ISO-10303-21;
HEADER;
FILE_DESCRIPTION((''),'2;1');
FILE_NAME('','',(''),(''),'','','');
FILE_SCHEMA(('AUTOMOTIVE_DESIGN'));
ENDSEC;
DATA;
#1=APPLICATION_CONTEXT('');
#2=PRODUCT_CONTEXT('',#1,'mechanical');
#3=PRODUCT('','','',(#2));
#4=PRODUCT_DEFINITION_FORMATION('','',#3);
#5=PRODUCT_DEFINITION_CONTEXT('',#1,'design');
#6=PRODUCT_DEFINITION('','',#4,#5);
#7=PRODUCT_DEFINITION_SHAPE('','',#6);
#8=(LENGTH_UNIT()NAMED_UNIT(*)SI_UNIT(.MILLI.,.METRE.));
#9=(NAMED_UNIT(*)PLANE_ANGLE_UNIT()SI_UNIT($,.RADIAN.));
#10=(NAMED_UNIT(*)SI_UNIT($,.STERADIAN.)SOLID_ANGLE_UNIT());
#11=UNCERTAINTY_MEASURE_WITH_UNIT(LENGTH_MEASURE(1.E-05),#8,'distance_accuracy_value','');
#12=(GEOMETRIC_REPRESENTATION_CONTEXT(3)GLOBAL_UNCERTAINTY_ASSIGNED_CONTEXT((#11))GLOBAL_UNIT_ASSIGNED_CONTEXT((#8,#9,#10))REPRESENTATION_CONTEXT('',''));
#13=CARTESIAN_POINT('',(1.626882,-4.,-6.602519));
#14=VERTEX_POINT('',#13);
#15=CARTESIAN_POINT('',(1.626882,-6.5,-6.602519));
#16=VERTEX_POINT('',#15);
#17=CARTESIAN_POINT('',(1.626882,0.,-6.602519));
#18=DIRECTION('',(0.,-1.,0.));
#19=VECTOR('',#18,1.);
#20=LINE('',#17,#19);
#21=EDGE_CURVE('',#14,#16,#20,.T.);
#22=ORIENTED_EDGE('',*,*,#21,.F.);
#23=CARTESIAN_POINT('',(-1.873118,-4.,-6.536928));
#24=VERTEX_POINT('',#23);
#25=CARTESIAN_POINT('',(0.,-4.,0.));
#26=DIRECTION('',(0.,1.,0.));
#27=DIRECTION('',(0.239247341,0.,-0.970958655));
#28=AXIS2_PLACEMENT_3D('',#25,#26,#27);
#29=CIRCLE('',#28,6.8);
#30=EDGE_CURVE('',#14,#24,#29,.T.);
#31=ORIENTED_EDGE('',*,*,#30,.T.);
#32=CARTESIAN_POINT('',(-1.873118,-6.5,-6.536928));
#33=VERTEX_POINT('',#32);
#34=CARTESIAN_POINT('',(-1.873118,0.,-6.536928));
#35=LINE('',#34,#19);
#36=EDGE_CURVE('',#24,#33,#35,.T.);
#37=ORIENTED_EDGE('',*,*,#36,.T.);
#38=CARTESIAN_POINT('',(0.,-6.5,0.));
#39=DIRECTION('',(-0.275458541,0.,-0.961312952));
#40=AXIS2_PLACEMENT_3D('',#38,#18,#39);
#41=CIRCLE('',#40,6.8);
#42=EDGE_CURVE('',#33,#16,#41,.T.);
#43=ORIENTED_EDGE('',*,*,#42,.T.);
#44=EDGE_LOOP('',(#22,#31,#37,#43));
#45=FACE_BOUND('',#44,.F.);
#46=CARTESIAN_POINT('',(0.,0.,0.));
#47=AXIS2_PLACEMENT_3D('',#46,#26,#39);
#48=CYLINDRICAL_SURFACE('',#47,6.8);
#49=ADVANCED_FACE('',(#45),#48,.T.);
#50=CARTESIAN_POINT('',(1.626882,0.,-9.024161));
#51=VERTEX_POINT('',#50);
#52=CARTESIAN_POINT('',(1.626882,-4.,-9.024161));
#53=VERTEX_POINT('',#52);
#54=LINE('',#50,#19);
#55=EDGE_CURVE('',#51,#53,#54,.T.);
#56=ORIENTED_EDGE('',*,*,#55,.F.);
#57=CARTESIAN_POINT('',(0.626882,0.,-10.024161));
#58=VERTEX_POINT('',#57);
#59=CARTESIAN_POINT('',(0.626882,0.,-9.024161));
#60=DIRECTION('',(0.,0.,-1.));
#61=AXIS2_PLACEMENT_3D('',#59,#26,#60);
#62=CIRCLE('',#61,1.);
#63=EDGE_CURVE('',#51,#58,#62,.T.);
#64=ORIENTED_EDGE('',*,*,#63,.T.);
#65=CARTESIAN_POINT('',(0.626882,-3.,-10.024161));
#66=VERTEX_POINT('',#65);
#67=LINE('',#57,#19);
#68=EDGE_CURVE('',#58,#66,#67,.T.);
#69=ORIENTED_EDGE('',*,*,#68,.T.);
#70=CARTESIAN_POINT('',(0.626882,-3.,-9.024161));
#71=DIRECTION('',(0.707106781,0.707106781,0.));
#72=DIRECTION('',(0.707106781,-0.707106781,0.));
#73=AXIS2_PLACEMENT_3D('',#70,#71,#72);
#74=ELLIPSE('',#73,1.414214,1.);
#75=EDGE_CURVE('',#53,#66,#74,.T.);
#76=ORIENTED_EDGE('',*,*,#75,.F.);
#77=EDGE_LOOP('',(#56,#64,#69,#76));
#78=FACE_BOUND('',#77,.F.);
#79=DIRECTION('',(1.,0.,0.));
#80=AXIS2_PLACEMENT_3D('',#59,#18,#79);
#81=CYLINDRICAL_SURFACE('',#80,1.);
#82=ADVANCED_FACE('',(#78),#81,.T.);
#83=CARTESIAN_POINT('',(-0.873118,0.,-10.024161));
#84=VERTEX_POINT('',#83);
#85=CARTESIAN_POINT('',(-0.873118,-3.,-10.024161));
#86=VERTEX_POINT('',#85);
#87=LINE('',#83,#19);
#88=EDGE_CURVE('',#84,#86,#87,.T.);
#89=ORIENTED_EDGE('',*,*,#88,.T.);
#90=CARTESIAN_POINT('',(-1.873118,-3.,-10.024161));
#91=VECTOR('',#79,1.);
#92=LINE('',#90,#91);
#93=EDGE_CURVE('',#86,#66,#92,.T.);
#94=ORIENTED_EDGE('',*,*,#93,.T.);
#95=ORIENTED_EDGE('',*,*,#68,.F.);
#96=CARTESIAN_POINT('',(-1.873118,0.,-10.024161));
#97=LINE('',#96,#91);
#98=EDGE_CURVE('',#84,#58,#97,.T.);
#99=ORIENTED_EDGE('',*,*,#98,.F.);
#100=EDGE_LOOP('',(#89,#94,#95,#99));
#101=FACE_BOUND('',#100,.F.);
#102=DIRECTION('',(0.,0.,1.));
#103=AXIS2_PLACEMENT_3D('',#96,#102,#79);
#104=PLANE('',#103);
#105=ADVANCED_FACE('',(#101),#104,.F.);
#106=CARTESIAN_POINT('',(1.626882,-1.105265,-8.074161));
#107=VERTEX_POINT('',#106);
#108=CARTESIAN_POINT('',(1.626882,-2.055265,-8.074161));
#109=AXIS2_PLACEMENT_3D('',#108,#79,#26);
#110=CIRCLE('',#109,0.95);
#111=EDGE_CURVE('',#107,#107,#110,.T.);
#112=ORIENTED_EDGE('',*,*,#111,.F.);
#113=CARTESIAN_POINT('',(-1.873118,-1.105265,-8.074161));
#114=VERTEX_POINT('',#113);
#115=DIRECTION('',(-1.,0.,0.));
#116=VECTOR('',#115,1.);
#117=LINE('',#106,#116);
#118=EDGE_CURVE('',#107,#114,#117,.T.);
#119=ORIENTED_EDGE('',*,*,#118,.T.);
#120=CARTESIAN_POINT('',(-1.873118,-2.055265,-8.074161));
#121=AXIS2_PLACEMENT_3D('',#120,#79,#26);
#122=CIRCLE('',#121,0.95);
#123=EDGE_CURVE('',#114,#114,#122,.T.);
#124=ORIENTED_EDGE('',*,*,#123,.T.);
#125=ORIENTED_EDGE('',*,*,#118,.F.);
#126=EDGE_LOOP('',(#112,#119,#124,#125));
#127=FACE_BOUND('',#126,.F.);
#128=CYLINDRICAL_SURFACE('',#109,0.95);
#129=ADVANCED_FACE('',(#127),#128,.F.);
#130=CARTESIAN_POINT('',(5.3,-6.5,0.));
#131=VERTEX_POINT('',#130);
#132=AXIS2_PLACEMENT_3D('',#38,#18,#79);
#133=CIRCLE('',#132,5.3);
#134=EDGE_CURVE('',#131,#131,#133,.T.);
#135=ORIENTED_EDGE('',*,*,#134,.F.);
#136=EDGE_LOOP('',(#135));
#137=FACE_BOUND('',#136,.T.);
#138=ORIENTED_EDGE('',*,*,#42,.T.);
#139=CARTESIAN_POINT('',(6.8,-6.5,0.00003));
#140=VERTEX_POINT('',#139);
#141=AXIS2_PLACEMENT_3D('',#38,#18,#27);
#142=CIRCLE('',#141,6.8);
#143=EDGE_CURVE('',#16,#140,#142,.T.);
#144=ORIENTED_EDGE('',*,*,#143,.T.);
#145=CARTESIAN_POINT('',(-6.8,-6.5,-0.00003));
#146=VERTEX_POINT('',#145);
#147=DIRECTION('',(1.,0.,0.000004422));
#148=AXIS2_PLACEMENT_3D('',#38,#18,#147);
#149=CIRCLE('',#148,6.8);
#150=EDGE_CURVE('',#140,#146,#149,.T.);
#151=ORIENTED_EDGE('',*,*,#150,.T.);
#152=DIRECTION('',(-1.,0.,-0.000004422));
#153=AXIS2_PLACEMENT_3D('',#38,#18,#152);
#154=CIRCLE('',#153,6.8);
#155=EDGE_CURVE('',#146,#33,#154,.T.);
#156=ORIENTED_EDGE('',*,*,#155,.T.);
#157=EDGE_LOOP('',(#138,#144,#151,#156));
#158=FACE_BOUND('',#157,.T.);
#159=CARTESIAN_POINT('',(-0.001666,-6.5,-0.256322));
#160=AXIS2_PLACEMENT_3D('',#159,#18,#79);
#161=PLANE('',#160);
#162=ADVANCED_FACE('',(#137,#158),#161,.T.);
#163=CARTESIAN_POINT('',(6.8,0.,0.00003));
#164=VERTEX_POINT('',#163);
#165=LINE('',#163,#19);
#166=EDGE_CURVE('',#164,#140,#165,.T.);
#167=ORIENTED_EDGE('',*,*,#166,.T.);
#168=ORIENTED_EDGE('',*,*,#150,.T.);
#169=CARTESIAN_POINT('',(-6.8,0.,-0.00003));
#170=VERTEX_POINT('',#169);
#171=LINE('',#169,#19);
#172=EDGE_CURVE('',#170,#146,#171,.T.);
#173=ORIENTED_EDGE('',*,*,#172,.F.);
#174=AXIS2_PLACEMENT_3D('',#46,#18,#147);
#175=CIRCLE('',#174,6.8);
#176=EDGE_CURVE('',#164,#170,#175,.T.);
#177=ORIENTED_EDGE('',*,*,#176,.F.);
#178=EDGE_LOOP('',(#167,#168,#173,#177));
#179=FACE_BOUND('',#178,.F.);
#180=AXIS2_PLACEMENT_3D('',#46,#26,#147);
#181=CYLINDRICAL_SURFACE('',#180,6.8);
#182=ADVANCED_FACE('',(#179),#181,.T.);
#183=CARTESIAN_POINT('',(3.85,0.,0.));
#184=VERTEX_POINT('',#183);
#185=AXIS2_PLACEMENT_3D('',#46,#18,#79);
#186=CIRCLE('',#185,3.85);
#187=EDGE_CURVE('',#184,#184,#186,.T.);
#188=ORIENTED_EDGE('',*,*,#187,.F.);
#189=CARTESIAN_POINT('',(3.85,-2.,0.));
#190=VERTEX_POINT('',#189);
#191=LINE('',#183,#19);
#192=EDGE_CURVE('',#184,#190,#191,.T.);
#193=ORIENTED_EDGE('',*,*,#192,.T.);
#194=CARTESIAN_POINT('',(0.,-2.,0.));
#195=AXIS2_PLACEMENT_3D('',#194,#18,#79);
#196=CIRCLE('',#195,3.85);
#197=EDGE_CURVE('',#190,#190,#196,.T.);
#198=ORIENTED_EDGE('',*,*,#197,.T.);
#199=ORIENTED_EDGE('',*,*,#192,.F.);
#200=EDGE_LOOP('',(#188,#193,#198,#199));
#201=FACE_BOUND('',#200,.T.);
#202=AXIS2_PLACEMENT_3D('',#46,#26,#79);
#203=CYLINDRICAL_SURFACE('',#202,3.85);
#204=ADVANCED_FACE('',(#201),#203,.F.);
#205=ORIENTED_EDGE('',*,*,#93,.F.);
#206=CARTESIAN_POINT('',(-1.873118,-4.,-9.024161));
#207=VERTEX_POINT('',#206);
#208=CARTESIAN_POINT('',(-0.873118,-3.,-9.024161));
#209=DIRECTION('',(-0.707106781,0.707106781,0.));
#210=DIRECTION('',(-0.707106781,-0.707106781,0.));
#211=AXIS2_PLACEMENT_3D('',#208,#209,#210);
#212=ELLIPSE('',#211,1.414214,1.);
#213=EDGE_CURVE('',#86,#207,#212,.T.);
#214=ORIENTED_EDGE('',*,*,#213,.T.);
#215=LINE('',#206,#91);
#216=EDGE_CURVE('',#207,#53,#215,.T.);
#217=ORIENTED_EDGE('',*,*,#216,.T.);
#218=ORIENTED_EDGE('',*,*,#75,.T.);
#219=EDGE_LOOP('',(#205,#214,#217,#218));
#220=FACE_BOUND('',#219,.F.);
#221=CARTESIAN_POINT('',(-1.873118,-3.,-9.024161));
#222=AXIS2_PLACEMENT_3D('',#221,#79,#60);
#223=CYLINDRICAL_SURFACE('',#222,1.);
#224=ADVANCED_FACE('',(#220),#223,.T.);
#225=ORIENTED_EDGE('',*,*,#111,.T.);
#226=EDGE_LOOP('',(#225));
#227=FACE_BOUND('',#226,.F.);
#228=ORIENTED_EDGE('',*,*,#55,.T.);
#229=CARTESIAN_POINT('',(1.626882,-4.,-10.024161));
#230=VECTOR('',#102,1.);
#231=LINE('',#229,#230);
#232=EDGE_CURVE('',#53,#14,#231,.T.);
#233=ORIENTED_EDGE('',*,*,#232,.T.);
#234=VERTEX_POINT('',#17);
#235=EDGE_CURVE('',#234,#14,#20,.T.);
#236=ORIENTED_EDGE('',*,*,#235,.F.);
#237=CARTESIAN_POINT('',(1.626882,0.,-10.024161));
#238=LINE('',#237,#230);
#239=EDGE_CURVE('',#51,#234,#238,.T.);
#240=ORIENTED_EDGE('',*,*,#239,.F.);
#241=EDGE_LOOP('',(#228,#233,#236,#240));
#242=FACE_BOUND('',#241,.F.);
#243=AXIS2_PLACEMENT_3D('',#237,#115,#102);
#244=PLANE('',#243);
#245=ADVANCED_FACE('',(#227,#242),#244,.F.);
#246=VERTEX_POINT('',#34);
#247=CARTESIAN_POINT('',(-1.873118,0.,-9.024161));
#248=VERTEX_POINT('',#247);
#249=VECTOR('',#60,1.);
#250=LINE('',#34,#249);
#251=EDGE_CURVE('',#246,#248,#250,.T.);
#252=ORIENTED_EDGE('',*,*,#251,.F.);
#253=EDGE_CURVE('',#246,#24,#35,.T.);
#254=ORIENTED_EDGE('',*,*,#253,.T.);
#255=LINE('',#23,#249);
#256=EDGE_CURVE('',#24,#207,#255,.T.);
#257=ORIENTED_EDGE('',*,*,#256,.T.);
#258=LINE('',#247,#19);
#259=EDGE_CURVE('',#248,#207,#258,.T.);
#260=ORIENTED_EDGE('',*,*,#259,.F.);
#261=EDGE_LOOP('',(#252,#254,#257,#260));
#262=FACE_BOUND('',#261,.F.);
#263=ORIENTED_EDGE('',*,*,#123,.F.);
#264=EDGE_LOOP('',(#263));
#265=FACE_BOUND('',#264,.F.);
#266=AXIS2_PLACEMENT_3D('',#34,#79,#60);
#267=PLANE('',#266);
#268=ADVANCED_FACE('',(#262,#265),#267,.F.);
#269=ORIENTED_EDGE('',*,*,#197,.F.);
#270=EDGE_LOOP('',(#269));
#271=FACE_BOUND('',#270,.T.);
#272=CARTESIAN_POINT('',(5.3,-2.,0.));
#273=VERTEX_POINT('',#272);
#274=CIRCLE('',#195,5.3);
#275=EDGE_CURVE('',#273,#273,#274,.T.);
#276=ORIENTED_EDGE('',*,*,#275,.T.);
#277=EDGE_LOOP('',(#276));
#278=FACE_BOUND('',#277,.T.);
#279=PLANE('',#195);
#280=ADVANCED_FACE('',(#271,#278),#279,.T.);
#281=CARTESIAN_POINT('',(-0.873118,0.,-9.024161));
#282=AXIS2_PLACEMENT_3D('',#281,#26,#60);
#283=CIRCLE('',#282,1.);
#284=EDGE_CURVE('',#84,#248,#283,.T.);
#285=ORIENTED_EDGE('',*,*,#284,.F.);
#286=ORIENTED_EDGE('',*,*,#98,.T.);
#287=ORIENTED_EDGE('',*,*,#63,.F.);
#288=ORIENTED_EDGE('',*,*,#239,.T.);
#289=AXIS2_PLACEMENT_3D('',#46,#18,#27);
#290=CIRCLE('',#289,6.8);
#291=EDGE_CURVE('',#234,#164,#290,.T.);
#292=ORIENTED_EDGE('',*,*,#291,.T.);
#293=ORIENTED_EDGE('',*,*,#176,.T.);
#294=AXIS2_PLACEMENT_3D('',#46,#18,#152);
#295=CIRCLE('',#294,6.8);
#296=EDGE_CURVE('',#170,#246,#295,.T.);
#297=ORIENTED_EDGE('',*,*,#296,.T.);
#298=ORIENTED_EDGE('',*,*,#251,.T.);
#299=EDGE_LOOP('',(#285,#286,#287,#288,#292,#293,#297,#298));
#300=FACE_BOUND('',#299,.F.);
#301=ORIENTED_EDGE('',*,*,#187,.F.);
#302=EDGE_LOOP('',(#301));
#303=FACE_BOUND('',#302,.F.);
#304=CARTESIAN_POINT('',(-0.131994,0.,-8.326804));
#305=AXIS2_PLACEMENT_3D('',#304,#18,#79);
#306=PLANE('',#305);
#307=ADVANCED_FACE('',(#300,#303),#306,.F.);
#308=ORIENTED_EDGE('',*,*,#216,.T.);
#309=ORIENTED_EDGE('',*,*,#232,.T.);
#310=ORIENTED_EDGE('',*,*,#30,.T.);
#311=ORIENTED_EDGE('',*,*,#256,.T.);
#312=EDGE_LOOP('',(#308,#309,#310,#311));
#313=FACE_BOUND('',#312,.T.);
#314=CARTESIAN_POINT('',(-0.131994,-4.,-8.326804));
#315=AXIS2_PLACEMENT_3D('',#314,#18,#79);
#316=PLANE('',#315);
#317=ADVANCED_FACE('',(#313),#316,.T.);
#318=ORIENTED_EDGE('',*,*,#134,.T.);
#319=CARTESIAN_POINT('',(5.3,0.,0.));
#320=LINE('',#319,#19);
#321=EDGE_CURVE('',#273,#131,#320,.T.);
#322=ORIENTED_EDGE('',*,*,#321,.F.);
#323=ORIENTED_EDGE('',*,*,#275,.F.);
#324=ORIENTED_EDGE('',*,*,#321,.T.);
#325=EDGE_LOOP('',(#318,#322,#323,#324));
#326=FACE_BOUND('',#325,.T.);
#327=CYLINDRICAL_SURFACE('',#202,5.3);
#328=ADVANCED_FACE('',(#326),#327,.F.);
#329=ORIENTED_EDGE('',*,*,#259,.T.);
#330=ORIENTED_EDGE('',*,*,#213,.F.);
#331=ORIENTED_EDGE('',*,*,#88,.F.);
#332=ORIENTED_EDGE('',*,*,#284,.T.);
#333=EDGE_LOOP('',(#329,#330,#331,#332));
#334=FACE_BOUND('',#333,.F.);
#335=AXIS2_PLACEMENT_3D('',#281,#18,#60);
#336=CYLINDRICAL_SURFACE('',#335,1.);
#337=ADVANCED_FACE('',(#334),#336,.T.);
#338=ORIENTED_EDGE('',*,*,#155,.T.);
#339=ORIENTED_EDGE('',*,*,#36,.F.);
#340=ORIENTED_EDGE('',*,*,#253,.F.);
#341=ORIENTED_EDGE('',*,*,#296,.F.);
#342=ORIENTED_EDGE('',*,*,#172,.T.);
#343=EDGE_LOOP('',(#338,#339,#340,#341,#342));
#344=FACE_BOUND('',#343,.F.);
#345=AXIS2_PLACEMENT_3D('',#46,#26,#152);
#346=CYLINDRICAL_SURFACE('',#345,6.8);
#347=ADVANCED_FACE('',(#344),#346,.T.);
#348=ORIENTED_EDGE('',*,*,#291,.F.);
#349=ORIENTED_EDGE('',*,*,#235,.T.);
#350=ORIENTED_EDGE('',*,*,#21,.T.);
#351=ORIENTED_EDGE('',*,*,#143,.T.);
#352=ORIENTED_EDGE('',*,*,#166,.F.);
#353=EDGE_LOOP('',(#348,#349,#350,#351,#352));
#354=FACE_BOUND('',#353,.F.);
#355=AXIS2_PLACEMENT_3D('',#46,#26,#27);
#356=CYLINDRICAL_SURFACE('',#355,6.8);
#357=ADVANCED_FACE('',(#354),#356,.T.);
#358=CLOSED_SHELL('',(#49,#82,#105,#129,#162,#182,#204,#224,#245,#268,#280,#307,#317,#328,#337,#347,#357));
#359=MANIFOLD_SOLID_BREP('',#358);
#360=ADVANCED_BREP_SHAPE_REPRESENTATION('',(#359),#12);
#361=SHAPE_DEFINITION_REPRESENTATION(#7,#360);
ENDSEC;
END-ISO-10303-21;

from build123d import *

# Parameters (mm, degrees)
F0_R     = 5.3
F0_R_2   = 3.85
F1_DEPTH = 2
F2_DEPTH = 6.5
F3_DEPTH = 4
F4_R     = 0.95
F5_DEPTH = 25.4
F6_R     = 1


with BuildPart() as f1:
    # F0 (on Front) → F1 (new body)
    with BuildSketch(Plane.XZ):
        Circle(F0_R)
        Circle(F0_R_2, mode=Mode.SUBTRACT)
    extrude(amount=F1_DEPTH)

    # F0 (on Front) → F2 (join)
    with BuildSketch(Plane.XZ):
        with BuildLine():
            ThreePointArc((1.6268819186, -6.6025188545), (5.352709387, -4.1938648308), (6.8, 3.00667e-05))
            ThreePointArc((6.8, 3.00667e-05), (-3.00667e-05, 6.8), (-6.8, -3.00667e-05))
            ThreePointArc((-6.8, -3.00667e-05), (-5.4303317767, -4.0928592445), (-1.8731180814, -6.5369280747))
            ThreePointArc((-1.8731180814, -6.5369280747), (-0.1274111438, -6.7988062483), (1.6268819186, -6.6025188545))
        make_face()
        Circle(F0_R, mode=Mode.SUBTRACT)
    extrude(amount=F2_DEPTH)

    # F0 (on Front) → F3 (join)
    with BuildSketch(Plane.XZ):
        with BuildLine():
            Line((1.6268819186, -10.0241614027), (1.6268819186, -6.6025188544))
            ThreePointArc((1.6268819186, -6.6025188545), (-0.1274111438, -6.7988062483), (-1.8731180814, -6.5369280747))
            Line((-1.8731180814, -6.5369280746), (-1.8731180814, -10.0241614027))
            Line((-1.8731180814, -10.0241614027), (1.6268819186, -10.0241614027))
        make_face()
    extrude(amount=F3_DEPTH)

    # F4 (on face) → F5 (cut)
    with BuildSketch(Plane.YZ.offset(1.6268819186)):
        with Locations((-2.055265424, -8.0741614027)):
            Circle(F4_R)
    extrude(amount=-F5_DEPTH, mode=Mode.SUBTRACT)

    # F6
    f6_edges = [f1.edges().sort_by_distance(p)[0] for p in [
        (1.626882, -2, -10.024161),
        (-1.873118, -2, -10.024161),
        (-0.123118, -4, -10.024161),
    ]]
    fillet(f6_edges, radius=F6_R)


solid = f1.part
